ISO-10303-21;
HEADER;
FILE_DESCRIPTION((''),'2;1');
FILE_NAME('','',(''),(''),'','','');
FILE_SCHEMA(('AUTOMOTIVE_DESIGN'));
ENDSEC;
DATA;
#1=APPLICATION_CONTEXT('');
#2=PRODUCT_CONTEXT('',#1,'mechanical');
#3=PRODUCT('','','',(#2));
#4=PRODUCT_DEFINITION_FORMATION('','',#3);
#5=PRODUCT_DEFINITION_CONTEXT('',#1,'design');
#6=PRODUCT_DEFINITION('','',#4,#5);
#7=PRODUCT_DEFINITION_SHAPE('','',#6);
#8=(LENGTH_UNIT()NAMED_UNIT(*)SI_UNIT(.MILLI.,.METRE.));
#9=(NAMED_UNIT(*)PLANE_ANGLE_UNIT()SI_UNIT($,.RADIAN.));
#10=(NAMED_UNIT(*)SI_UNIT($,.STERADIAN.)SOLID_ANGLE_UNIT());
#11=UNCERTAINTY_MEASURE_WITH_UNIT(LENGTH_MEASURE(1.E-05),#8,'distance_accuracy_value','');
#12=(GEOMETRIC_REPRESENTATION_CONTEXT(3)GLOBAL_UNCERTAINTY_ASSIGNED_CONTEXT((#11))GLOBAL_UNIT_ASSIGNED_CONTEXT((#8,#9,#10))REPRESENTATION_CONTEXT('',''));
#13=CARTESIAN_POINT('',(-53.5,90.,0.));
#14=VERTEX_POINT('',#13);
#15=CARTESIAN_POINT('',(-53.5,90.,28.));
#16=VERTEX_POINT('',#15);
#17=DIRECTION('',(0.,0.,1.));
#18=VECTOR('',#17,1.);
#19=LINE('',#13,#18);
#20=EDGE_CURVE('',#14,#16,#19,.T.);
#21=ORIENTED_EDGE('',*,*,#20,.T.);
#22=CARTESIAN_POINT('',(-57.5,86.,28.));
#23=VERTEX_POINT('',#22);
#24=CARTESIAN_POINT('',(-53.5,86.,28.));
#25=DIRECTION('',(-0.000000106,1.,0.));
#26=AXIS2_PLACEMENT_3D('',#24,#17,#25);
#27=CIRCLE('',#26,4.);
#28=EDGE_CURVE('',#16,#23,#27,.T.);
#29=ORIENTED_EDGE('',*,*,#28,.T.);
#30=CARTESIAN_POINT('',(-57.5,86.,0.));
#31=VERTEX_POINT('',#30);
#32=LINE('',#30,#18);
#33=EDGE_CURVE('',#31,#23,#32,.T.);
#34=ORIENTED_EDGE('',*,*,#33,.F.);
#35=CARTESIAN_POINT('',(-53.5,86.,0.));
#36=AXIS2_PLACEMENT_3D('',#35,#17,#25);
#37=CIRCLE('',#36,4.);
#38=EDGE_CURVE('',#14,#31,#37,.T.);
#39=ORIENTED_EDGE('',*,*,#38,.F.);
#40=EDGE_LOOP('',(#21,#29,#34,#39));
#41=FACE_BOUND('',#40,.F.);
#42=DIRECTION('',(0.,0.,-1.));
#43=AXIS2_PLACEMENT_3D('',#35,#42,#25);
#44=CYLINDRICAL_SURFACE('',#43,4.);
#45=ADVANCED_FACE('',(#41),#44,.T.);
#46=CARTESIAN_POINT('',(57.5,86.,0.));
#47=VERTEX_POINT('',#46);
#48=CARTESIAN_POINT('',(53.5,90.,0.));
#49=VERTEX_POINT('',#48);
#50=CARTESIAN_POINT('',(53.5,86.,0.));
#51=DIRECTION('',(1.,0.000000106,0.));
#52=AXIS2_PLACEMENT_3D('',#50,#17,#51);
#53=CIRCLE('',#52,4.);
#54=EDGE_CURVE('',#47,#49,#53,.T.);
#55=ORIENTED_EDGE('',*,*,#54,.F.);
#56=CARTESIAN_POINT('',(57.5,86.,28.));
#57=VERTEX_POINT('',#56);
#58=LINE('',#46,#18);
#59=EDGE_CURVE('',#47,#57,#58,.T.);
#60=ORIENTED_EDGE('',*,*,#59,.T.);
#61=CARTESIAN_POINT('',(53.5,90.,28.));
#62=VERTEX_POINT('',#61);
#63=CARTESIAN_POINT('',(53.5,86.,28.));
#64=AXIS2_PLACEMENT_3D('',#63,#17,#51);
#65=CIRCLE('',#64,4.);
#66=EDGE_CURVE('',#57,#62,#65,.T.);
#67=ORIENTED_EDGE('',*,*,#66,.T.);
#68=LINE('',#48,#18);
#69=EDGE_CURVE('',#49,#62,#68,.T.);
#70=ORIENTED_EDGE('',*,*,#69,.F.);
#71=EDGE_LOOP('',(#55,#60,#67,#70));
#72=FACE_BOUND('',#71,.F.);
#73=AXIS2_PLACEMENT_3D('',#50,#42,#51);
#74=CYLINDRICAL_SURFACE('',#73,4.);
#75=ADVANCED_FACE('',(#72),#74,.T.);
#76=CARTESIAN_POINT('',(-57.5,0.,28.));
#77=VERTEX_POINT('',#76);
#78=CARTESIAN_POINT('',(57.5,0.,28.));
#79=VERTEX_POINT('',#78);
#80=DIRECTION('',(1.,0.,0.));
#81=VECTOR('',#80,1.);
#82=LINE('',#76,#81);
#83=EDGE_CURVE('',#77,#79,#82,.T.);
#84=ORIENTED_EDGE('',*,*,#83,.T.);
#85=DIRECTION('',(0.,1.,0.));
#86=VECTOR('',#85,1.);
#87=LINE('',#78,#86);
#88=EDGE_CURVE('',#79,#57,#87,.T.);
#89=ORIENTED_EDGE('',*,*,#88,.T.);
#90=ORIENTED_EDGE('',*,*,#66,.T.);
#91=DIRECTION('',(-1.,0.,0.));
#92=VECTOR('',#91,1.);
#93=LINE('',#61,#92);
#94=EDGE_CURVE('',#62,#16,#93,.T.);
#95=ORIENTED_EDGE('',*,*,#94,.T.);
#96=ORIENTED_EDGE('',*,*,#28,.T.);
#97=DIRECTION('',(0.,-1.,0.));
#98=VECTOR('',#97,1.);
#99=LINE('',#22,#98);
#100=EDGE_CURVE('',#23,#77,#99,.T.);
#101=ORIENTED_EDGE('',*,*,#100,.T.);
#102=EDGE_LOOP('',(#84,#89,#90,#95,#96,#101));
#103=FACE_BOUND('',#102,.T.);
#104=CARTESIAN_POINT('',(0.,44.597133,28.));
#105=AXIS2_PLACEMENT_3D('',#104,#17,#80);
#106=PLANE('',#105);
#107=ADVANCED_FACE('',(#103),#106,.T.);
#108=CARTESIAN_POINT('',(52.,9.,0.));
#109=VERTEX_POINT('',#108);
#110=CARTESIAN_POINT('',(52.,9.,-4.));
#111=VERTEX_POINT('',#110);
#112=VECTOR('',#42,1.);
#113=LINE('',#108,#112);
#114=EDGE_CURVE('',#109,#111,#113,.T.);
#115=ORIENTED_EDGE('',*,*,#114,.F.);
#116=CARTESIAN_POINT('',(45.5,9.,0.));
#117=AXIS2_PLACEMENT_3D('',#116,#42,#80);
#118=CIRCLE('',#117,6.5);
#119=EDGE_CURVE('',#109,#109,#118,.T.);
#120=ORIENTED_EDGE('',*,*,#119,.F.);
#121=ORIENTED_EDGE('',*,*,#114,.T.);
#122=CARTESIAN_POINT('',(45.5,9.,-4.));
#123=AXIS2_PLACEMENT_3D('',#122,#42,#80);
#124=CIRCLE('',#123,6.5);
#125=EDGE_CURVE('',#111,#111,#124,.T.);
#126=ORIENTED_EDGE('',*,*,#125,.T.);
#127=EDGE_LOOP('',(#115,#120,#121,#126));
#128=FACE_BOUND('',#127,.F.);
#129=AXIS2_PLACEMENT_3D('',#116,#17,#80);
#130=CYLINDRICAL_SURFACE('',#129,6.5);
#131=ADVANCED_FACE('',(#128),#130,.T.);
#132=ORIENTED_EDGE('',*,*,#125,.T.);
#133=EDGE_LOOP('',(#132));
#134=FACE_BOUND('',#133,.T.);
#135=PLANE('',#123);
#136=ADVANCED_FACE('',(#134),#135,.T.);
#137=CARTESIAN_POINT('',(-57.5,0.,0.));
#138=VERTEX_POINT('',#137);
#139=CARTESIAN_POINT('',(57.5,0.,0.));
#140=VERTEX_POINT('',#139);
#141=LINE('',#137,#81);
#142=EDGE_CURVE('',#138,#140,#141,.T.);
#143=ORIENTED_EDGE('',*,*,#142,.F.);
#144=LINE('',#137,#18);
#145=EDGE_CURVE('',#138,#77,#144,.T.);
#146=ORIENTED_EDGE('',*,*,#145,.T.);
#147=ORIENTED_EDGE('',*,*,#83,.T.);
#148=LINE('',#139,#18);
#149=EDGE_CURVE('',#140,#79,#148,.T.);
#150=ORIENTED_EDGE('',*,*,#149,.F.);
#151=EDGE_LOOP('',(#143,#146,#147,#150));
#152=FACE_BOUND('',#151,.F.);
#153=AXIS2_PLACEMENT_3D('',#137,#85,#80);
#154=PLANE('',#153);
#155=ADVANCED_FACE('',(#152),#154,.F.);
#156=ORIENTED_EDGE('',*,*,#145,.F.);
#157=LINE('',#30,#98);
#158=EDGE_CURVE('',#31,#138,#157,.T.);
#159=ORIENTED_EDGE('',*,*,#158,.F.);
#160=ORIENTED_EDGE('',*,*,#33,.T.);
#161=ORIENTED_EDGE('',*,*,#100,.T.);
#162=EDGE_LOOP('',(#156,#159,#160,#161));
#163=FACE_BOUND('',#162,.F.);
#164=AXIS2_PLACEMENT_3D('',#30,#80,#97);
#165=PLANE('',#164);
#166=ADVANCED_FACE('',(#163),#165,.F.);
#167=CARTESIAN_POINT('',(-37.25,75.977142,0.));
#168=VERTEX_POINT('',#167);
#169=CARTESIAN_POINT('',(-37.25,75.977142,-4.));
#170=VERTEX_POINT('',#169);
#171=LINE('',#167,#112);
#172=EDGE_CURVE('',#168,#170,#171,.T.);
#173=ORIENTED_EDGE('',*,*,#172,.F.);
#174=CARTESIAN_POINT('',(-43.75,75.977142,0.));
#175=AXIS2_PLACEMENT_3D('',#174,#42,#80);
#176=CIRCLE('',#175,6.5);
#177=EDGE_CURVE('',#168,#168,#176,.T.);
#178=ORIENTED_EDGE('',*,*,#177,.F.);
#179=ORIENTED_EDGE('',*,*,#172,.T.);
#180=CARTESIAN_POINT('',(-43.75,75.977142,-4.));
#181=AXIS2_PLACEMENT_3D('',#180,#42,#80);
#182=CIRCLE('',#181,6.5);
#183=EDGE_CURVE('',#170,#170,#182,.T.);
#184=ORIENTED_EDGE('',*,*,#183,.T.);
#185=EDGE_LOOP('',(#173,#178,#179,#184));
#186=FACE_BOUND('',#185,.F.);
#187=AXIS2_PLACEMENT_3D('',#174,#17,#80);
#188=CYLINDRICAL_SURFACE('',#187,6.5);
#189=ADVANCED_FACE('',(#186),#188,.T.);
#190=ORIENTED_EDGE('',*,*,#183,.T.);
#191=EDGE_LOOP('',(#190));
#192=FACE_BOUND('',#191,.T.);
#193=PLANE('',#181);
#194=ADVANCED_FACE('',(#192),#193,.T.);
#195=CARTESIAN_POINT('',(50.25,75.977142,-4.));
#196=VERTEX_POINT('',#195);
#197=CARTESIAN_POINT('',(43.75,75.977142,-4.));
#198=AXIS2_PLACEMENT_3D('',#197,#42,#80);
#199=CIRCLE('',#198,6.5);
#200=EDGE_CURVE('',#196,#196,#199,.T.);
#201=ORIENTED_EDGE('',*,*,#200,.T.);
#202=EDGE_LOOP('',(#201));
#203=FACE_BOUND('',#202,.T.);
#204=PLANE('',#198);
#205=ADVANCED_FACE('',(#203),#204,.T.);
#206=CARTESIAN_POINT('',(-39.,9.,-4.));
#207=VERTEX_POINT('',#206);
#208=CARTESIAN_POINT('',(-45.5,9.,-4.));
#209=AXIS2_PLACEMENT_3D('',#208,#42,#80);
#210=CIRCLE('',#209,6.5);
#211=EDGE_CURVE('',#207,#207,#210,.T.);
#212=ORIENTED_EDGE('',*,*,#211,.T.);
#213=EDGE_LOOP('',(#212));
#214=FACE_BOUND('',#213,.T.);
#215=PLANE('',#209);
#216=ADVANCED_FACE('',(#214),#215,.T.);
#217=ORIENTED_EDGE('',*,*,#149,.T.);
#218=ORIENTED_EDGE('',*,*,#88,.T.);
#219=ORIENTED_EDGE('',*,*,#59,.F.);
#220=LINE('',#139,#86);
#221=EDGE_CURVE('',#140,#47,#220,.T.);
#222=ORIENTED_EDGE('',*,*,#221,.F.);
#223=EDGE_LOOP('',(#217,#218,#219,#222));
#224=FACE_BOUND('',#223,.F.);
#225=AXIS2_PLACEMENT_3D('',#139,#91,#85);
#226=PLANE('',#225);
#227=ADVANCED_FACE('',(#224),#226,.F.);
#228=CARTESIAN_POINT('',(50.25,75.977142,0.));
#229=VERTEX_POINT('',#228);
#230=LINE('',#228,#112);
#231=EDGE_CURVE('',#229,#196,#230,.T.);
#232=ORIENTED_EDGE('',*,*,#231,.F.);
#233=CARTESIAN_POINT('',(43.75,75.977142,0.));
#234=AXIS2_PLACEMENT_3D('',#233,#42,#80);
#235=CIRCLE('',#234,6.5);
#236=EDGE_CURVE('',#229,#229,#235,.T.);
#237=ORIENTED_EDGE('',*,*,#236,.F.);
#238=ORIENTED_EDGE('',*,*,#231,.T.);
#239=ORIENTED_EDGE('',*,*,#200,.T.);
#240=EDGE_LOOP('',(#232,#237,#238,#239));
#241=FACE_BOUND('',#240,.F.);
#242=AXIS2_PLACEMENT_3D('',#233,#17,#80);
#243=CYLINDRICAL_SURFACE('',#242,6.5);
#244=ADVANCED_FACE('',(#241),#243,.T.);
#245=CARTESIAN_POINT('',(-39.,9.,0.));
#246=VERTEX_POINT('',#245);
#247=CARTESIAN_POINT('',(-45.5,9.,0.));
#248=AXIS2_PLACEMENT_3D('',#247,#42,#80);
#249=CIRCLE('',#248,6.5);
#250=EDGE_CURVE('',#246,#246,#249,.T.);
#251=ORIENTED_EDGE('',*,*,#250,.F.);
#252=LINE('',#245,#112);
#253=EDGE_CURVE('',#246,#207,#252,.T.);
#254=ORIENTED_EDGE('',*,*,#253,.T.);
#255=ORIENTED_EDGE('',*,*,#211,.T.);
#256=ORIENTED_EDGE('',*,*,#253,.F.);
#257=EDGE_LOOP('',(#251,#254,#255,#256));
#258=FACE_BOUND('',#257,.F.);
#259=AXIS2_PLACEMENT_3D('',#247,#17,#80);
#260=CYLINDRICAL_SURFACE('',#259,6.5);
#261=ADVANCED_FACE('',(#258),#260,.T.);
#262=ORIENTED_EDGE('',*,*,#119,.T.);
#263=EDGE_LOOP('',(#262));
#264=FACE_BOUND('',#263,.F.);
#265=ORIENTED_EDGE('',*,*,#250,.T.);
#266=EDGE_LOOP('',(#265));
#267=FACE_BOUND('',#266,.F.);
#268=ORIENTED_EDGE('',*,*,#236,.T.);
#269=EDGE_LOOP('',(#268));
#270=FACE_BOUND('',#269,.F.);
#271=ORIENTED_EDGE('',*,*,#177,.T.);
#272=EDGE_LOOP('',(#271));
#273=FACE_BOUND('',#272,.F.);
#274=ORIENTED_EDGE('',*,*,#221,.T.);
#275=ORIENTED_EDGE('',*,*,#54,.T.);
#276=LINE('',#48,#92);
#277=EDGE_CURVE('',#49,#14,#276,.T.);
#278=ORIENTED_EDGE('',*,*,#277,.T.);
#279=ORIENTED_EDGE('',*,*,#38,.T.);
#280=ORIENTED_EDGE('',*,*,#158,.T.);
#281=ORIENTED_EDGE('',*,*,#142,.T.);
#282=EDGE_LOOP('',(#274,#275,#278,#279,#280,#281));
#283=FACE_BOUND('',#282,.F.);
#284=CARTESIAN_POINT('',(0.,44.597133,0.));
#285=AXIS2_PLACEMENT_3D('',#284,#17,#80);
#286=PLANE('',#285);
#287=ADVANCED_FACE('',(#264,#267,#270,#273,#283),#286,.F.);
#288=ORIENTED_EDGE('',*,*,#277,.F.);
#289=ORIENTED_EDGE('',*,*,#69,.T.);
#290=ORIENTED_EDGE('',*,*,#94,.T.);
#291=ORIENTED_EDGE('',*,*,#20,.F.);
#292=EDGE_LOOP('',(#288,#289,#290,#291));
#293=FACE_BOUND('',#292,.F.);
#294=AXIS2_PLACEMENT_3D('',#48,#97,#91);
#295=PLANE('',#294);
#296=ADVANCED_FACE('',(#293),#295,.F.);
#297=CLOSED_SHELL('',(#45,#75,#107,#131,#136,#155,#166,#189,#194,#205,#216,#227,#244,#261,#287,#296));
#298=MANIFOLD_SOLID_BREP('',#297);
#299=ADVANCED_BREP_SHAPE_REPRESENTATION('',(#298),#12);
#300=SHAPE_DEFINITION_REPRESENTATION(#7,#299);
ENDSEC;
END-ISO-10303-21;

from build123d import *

# Parameters (mm, degrees)
F1_DEPTH = 28
F2_R     = 6.5
F3_DEPTH = 4


with BuildPart() as f1:
    # F0 (on Top) → F1 (new body)
    with BuildSketch(Plane.XY):
        with BuildLine():
            Line((53.5, 90), (-53.5, 90))
            ThreePointArc((-53.5, 90), (-56.328427, 88.828427), (-57.5, 86))
            Line((-57.5, 86), (-57.5, 0))
            Line((-57.5, 0), (57.5, 0))
            Line((57.5, 0), (57.5, 86))
            ThreePointArc((57.5, 86), (56.328427, 88.828427), (53.5, 90))
        make_face()
    extrude(amount=F1_DEPTH)

    # F2 (on face) → F3 (join)
    with BuildSketch(Plane(origin=(0, 0, 0), x_dir=(1, 0, 0), z_dir=(0, 0, -1))):
        with Locations((-45.5, -9)):
            Circle(F2_R)
        with Locations((-43.75, -75.977142)):
            Circle(F2_R)
        with Locations((45.5, -9)):
            Circle(F2_R)
        with Locations((43.75, -75.977142)):
            Circle(F2_R)
    extrude(amount=F3_DEPTH)


solid = f1.part
